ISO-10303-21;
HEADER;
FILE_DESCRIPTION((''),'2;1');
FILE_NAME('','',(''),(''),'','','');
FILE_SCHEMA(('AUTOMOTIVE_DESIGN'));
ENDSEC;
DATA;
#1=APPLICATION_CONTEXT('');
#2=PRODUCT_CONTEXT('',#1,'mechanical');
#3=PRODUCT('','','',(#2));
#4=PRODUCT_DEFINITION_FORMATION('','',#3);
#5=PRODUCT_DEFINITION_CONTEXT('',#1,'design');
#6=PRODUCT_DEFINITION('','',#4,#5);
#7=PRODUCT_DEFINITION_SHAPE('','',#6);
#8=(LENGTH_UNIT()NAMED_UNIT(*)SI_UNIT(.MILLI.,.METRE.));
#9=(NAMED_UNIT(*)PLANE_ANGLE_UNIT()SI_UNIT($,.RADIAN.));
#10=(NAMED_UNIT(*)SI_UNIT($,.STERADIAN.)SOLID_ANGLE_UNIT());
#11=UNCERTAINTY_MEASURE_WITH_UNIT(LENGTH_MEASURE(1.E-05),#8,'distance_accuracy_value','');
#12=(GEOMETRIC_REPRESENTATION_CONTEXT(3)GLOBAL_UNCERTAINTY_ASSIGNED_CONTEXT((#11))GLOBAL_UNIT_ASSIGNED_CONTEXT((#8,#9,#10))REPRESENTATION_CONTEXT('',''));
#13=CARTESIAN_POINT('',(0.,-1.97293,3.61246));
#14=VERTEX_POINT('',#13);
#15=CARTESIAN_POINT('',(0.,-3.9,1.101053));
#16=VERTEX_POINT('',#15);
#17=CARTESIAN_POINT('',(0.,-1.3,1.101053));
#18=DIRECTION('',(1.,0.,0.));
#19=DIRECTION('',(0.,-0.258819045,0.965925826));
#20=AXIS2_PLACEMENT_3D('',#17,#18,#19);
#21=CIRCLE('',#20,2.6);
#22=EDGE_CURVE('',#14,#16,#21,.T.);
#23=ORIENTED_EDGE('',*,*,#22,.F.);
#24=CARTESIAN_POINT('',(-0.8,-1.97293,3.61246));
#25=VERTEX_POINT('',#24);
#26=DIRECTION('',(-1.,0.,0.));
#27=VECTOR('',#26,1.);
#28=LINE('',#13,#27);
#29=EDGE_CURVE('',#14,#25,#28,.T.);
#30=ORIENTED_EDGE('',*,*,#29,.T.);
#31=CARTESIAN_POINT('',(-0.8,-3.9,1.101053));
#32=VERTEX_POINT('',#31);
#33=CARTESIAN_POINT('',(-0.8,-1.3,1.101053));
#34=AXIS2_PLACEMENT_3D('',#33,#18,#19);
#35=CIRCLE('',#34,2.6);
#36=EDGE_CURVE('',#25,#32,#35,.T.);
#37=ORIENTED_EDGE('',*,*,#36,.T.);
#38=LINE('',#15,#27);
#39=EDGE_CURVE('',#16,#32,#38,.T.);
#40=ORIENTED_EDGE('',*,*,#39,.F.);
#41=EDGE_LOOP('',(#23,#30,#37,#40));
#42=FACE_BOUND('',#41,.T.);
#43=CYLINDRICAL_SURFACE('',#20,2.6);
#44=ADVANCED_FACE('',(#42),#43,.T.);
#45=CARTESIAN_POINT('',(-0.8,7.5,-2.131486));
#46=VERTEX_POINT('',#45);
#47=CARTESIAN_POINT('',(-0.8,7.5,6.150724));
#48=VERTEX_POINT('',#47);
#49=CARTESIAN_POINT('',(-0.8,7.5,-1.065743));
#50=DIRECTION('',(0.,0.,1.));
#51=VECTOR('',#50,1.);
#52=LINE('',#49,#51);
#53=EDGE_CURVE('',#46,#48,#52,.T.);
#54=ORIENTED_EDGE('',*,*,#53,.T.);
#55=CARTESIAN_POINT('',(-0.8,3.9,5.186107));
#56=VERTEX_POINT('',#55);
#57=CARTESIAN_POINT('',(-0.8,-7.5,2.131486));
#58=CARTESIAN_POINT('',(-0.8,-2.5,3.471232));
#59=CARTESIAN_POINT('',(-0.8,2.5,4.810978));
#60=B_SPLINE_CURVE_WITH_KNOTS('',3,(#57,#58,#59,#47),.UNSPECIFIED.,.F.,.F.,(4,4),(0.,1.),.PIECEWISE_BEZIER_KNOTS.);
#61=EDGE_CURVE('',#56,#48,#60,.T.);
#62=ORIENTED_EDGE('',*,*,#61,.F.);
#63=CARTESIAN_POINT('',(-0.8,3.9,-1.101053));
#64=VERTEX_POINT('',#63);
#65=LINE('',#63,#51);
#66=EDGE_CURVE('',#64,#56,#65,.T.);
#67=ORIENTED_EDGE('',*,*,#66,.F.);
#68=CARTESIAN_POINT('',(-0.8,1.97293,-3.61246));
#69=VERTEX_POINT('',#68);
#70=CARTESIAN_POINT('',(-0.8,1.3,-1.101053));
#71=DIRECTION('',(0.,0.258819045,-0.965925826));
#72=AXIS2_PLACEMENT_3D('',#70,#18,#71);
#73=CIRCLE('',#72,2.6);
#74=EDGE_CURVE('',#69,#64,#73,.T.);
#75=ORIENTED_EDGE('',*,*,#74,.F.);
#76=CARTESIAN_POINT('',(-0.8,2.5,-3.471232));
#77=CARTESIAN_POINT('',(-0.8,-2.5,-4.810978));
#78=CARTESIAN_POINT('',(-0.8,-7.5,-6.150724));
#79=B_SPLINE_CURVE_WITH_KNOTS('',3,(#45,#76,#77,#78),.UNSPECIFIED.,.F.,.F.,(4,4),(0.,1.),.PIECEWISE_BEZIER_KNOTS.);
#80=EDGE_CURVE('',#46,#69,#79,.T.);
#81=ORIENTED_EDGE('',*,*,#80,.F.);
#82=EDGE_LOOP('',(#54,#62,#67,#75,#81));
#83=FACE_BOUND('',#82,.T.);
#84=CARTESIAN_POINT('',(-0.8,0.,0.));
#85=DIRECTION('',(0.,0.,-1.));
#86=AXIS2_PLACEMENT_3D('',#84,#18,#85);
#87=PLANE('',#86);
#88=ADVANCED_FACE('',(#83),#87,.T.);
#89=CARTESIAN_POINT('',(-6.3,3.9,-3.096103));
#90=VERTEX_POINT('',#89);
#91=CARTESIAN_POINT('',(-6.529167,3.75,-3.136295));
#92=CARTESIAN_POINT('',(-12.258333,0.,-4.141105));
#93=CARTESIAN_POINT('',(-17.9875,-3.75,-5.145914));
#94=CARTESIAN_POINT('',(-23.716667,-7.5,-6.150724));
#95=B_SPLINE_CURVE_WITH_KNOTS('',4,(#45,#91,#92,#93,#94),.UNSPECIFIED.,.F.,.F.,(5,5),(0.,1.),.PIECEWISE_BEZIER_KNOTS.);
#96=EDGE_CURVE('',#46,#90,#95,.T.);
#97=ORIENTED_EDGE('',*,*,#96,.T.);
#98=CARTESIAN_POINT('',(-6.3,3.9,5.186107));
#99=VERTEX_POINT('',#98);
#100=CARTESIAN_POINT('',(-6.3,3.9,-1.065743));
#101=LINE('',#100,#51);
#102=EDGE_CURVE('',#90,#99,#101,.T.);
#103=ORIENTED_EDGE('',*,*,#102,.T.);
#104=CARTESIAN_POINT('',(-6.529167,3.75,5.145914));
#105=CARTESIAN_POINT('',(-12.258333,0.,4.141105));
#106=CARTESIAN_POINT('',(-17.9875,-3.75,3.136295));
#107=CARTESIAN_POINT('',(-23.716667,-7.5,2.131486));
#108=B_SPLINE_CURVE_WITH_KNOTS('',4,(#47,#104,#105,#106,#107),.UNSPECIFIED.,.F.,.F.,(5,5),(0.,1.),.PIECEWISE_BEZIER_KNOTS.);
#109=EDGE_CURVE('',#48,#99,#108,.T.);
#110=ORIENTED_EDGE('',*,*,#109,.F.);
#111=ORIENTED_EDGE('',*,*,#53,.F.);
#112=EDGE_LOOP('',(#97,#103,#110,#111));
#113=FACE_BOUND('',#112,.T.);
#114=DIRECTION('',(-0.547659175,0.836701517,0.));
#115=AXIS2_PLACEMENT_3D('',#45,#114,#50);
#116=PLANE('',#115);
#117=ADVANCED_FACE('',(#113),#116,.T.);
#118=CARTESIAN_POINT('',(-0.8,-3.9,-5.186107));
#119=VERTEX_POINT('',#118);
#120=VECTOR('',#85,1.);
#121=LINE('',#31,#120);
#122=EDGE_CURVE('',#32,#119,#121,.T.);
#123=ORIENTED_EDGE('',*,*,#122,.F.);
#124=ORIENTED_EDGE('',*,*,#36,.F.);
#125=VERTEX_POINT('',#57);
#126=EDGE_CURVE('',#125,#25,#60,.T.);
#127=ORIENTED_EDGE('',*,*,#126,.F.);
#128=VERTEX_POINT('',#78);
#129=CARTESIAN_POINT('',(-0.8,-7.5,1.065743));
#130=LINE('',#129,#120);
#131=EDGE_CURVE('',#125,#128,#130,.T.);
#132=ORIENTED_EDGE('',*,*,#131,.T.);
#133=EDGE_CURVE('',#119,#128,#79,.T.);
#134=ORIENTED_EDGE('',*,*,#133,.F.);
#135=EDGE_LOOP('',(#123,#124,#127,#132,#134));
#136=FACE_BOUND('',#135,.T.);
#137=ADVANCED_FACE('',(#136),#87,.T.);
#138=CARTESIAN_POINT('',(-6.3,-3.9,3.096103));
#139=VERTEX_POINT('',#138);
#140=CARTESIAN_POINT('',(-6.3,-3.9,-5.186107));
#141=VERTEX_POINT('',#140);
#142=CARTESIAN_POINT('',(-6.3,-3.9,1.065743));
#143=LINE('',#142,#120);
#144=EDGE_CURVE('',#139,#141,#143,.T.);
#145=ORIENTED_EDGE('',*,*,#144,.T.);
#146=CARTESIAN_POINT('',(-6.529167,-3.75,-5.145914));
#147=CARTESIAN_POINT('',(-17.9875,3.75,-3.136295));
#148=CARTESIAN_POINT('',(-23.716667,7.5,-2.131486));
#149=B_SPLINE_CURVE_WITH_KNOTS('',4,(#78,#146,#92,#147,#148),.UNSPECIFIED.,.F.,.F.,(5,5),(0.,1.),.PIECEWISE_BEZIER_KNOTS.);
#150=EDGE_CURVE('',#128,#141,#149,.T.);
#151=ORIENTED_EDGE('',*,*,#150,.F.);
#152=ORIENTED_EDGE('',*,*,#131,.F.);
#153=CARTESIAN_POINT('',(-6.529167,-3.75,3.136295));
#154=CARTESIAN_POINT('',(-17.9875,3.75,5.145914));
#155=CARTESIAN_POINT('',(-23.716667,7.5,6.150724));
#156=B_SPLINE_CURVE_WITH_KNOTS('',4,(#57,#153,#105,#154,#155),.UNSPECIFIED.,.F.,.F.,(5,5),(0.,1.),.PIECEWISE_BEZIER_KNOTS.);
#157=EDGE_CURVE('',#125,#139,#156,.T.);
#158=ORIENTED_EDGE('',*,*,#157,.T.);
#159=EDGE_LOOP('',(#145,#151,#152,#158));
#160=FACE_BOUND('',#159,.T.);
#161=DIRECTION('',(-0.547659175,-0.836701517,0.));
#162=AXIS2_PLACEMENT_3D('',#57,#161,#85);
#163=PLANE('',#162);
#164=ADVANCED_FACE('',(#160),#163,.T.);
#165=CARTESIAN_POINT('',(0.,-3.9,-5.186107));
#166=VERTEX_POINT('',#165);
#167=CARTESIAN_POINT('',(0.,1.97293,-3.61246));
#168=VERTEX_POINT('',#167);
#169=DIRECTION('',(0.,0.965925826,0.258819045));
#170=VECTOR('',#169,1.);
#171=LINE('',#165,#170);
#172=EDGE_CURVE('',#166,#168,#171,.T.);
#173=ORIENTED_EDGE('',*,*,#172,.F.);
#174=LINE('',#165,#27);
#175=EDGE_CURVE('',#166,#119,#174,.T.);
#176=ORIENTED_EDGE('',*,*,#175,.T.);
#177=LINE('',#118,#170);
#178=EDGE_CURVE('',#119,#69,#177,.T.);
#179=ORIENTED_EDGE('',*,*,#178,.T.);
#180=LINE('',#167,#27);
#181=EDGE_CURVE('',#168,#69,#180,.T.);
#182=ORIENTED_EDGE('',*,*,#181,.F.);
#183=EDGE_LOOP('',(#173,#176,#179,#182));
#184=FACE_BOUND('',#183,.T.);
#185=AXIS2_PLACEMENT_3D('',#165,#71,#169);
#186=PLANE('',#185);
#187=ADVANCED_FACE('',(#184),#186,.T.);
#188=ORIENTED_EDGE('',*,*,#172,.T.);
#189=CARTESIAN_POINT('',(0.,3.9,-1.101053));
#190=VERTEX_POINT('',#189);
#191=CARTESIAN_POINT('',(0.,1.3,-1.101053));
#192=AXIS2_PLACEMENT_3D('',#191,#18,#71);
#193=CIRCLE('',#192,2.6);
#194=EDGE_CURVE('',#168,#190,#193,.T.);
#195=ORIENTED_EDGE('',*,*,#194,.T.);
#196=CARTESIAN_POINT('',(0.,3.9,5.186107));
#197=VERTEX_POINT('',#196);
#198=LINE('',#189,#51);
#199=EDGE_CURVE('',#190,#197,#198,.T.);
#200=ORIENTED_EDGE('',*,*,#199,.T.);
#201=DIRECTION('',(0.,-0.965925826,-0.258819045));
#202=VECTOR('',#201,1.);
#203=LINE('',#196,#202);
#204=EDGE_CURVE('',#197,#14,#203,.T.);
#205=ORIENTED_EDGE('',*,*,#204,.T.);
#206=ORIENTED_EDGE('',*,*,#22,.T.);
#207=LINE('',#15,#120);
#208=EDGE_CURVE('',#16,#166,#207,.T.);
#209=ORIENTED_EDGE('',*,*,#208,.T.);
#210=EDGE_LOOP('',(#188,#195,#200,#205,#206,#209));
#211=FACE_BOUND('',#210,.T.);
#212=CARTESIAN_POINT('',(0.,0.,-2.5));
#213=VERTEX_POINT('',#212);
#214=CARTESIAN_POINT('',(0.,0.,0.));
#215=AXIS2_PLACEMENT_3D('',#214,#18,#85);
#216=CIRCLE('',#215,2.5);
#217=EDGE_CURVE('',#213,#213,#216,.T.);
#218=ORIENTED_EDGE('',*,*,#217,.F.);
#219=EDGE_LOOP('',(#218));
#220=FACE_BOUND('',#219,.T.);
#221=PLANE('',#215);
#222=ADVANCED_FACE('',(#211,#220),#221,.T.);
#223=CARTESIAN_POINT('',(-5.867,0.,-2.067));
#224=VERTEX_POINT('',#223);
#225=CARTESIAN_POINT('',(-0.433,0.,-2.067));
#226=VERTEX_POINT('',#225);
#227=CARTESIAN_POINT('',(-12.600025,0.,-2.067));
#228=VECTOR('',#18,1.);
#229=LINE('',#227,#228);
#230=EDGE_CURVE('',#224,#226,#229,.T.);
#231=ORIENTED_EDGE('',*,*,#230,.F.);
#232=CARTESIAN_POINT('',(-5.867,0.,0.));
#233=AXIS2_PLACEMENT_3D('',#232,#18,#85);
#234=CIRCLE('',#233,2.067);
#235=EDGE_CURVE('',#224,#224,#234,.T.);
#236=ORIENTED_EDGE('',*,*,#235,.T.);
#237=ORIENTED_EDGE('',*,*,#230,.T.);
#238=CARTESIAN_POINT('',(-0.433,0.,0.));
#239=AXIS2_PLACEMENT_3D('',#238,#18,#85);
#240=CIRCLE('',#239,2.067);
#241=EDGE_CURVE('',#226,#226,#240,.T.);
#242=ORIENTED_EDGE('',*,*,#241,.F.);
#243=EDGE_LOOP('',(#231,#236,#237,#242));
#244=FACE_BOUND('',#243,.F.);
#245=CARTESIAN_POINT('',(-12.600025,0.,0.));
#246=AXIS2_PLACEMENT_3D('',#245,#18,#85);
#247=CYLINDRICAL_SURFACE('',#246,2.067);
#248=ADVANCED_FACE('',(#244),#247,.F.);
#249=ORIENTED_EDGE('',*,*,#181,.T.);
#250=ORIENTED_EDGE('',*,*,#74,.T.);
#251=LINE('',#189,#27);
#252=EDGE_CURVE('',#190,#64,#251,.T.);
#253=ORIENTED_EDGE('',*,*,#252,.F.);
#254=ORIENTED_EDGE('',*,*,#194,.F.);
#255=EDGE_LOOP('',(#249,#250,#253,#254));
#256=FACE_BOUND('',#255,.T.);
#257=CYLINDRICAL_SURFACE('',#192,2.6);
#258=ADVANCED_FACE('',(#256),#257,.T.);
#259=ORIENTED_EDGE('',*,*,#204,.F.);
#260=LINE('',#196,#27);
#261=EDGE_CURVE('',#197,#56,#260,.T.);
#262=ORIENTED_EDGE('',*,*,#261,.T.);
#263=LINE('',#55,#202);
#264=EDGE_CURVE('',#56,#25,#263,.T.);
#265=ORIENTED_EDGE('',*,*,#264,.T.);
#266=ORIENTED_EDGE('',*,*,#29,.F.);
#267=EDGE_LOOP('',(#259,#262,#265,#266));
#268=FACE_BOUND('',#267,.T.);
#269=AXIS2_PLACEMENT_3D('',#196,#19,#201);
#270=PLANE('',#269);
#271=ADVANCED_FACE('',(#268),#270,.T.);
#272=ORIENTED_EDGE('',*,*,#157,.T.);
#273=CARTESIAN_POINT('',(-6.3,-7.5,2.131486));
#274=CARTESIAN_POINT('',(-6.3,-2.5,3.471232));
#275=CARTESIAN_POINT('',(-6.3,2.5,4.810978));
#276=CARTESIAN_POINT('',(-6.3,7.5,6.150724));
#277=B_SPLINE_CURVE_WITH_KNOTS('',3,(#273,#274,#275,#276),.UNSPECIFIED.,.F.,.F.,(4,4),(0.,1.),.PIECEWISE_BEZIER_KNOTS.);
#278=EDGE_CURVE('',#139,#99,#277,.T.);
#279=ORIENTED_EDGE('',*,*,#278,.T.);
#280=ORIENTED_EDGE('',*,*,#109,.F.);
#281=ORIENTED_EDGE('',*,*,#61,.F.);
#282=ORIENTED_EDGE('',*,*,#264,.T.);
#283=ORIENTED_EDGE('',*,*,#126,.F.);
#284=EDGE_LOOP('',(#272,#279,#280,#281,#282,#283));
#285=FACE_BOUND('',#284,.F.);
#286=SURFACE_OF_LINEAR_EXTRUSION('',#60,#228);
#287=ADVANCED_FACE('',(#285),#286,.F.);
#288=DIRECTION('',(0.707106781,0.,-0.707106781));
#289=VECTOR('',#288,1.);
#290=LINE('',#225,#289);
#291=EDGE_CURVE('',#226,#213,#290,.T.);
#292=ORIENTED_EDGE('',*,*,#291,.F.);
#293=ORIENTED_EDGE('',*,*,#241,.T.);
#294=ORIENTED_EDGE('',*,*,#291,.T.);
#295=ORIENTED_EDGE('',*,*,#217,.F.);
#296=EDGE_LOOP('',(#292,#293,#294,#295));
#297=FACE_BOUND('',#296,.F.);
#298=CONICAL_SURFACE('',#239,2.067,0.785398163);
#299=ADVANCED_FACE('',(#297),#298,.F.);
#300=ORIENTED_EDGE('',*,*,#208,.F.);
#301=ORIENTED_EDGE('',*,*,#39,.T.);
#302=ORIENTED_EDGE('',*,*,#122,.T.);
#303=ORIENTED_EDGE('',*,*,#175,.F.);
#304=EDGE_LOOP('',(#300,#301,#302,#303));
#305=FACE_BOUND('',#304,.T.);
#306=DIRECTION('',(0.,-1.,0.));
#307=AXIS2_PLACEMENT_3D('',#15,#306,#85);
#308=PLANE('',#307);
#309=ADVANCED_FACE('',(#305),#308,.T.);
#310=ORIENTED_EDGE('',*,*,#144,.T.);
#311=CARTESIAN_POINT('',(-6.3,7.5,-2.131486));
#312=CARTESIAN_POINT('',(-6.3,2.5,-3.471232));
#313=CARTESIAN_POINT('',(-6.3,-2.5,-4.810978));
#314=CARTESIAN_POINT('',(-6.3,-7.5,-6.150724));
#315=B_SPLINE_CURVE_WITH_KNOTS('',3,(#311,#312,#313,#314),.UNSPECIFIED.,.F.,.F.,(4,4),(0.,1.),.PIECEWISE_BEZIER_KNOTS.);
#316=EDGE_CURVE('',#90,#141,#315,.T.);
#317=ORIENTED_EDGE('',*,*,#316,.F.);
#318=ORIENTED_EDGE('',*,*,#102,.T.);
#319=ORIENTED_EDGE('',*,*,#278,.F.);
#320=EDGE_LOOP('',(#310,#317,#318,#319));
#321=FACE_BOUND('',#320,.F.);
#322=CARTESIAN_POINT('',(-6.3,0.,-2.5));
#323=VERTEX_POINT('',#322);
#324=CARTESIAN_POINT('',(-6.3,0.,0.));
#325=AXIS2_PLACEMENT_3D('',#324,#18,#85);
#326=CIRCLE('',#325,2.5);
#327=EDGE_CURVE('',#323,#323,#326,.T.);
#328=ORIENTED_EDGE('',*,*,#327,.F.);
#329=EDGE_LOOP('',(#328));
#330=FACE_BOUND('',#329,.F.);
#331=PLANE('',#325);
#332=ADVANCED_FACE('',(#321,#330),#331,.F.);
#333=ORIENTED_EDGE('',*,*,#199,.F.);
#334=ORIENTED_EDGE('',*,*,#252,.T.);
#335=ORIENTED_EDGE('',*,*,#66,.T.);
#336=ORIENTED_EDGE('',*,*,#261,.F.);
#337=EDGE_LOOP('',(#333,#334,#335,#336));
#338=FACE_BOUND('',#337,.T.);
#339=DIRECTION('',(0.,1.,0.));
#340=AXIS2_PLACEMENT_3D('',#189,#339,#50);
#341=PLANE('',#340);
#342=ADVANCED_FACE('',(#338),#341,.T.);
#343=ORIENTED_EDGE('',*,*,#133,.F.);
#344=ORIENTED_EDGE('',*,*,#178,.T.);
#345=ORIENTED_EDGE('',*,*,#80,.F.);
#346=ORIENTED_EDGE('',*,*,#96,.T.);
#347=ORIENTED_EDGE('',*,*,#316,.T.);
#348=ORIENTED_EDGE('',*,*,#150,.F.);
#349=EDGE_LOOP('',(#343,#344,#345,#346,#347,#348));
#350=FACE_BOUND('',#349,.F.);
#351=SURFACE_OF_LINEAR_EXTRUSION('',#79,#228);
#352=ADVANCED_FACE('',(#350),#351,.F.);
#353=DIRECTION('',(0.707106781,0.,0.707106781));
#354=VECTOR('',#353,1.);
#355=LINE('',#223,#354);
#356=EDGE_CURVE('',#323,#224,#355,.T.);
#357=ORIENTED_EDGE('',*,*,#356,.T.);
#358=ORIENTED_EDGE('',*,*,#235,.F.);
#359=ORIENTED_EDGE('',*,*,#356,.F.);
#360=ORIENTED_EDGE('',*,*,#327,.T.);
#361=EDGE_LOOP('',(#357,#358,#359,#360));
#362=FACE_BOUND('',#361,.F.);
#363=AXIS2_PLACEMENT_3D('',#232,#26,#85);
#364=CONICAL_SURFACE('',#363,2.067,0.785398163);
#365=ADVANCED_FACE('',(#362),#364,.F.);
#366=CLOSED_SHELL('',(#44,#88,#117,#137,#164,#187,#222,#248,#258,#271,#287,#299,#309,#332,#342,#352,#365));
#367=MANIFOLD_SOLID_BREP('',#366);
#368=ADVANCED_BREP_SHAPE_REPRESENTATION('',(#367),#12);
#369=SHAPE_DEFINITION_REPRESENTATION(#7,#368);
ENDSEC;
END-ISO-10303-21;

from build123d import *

# Parameters (mm, degrees)
EXTRUDE1_DEPTH = 0.8
EXTRUDE2_DEPTH = 5.5
DRAFT1_ANGLE   = -33.206570315
DRAFT2_ANGLE   = -33.206570315
HOLEWZD1_D     = 4.134
HOLEWZD1_DEPTH = 6.300025
CHAMFER1_SIZE  = 0.433


with BuildPart() as part:
    # Sketch1 → Extrude1 (new body)
    with BuildSketch(Plane(origin=(0, 0, 0), x_dir=(0, 0, -1), z_dir=(1, 0, 0))):
        with BuildLine():
            Line((1.101052702, 3.9), (-5.186106572, 3.9))
            Line((-5.186106572, 3.9), (-3.612459851, -1.972929517))
            ThreePointArc((-3.612459851, -1.972929517), (-2.683832418, -3.362718685), (-1.101052702, -3.9))
            Line((-1.101052702, -3.9), (5.186106572, -3.9))
            Line((5.186106572, -3.9), (3.612459851, 1.972929517))
            ThreePointArc((3.612459851, 1.972929517), (2.683832418, 3.362718685), (1.101052702, 3.9))
        make_face()
    extrude(amount=-EXTRUDE1_DEPTH)

    # Sketch2 → Extrude2 (add)
    with BuildSketch(Plane.ZY.offset(0.8)):
        with BuildLine():
            Line((2.131485778, -7.5), (-6.150723665, -7.5))
            add(Edge.make_bspline(
                [(-2.131485778, 7.5), (-3.471231741, 2.5), (-4.810977703, -2.5), (-6.150723665, -7.5)],
                knots=[0, 0, 0, 0, 1, 1, 1, 1], degree=3))
            Line((-2.131485778, 7.5), (6.150723665, 7.5))
            add(Edge.make_bspline(
                [(2.131485778, -7.5), (3.471231741, -2.5), (4.810977703, 2.5), (6.150723665, 7.5)],
                knots=[0, 0, 0, 0, 1, 1, 1, 1], degree=3))
        make_face()
    extrude(amount=EXTRUDE2_DEPTH)

    # Draft1
    draft1_faces = [part.faces().sort_by_distance(p)[0] for p in [
        (-3.55, 7.5, 2.009618943),
    ]]
    draft(draft1_faces, Plane(origin=(-0.8, 0, 4.141104722), x_dir=(0, 0, 1), z_dir=(1, 0, 0)), DRAFT1_ANGLE)

    # Draft2
    draft2_faces = [part.faces().sort_by_distance(p)[0] for p in [
        (-3.55, -7.5, -2.009618943),
    ]]
    draft(draft2_faces, Plane(origin=(-0.8, 0, 4.141104722), x_dir=(0, 0, 1), z_dir=(1, 0, 0)), DRAFT2_ANGLE)

    # HoleWzd1
    with Locations(Plane.ZY.offset(6.3)):
        with Locations((0, 0)):
            Hole(HOLEWZD1_D / 2, depth=HOLEWZD1_DEPTH)

    # Chamfer1
    chamfer1_edges = [part.edges().sort_by_distance(p)[0] for p in [
        (0, 0, 2.067),
        (-6.3, 0, 2.067),
    ]]
    chamfer(chamfer1_edges, length=CHAMFER1_SIZE)


solid = part.part
